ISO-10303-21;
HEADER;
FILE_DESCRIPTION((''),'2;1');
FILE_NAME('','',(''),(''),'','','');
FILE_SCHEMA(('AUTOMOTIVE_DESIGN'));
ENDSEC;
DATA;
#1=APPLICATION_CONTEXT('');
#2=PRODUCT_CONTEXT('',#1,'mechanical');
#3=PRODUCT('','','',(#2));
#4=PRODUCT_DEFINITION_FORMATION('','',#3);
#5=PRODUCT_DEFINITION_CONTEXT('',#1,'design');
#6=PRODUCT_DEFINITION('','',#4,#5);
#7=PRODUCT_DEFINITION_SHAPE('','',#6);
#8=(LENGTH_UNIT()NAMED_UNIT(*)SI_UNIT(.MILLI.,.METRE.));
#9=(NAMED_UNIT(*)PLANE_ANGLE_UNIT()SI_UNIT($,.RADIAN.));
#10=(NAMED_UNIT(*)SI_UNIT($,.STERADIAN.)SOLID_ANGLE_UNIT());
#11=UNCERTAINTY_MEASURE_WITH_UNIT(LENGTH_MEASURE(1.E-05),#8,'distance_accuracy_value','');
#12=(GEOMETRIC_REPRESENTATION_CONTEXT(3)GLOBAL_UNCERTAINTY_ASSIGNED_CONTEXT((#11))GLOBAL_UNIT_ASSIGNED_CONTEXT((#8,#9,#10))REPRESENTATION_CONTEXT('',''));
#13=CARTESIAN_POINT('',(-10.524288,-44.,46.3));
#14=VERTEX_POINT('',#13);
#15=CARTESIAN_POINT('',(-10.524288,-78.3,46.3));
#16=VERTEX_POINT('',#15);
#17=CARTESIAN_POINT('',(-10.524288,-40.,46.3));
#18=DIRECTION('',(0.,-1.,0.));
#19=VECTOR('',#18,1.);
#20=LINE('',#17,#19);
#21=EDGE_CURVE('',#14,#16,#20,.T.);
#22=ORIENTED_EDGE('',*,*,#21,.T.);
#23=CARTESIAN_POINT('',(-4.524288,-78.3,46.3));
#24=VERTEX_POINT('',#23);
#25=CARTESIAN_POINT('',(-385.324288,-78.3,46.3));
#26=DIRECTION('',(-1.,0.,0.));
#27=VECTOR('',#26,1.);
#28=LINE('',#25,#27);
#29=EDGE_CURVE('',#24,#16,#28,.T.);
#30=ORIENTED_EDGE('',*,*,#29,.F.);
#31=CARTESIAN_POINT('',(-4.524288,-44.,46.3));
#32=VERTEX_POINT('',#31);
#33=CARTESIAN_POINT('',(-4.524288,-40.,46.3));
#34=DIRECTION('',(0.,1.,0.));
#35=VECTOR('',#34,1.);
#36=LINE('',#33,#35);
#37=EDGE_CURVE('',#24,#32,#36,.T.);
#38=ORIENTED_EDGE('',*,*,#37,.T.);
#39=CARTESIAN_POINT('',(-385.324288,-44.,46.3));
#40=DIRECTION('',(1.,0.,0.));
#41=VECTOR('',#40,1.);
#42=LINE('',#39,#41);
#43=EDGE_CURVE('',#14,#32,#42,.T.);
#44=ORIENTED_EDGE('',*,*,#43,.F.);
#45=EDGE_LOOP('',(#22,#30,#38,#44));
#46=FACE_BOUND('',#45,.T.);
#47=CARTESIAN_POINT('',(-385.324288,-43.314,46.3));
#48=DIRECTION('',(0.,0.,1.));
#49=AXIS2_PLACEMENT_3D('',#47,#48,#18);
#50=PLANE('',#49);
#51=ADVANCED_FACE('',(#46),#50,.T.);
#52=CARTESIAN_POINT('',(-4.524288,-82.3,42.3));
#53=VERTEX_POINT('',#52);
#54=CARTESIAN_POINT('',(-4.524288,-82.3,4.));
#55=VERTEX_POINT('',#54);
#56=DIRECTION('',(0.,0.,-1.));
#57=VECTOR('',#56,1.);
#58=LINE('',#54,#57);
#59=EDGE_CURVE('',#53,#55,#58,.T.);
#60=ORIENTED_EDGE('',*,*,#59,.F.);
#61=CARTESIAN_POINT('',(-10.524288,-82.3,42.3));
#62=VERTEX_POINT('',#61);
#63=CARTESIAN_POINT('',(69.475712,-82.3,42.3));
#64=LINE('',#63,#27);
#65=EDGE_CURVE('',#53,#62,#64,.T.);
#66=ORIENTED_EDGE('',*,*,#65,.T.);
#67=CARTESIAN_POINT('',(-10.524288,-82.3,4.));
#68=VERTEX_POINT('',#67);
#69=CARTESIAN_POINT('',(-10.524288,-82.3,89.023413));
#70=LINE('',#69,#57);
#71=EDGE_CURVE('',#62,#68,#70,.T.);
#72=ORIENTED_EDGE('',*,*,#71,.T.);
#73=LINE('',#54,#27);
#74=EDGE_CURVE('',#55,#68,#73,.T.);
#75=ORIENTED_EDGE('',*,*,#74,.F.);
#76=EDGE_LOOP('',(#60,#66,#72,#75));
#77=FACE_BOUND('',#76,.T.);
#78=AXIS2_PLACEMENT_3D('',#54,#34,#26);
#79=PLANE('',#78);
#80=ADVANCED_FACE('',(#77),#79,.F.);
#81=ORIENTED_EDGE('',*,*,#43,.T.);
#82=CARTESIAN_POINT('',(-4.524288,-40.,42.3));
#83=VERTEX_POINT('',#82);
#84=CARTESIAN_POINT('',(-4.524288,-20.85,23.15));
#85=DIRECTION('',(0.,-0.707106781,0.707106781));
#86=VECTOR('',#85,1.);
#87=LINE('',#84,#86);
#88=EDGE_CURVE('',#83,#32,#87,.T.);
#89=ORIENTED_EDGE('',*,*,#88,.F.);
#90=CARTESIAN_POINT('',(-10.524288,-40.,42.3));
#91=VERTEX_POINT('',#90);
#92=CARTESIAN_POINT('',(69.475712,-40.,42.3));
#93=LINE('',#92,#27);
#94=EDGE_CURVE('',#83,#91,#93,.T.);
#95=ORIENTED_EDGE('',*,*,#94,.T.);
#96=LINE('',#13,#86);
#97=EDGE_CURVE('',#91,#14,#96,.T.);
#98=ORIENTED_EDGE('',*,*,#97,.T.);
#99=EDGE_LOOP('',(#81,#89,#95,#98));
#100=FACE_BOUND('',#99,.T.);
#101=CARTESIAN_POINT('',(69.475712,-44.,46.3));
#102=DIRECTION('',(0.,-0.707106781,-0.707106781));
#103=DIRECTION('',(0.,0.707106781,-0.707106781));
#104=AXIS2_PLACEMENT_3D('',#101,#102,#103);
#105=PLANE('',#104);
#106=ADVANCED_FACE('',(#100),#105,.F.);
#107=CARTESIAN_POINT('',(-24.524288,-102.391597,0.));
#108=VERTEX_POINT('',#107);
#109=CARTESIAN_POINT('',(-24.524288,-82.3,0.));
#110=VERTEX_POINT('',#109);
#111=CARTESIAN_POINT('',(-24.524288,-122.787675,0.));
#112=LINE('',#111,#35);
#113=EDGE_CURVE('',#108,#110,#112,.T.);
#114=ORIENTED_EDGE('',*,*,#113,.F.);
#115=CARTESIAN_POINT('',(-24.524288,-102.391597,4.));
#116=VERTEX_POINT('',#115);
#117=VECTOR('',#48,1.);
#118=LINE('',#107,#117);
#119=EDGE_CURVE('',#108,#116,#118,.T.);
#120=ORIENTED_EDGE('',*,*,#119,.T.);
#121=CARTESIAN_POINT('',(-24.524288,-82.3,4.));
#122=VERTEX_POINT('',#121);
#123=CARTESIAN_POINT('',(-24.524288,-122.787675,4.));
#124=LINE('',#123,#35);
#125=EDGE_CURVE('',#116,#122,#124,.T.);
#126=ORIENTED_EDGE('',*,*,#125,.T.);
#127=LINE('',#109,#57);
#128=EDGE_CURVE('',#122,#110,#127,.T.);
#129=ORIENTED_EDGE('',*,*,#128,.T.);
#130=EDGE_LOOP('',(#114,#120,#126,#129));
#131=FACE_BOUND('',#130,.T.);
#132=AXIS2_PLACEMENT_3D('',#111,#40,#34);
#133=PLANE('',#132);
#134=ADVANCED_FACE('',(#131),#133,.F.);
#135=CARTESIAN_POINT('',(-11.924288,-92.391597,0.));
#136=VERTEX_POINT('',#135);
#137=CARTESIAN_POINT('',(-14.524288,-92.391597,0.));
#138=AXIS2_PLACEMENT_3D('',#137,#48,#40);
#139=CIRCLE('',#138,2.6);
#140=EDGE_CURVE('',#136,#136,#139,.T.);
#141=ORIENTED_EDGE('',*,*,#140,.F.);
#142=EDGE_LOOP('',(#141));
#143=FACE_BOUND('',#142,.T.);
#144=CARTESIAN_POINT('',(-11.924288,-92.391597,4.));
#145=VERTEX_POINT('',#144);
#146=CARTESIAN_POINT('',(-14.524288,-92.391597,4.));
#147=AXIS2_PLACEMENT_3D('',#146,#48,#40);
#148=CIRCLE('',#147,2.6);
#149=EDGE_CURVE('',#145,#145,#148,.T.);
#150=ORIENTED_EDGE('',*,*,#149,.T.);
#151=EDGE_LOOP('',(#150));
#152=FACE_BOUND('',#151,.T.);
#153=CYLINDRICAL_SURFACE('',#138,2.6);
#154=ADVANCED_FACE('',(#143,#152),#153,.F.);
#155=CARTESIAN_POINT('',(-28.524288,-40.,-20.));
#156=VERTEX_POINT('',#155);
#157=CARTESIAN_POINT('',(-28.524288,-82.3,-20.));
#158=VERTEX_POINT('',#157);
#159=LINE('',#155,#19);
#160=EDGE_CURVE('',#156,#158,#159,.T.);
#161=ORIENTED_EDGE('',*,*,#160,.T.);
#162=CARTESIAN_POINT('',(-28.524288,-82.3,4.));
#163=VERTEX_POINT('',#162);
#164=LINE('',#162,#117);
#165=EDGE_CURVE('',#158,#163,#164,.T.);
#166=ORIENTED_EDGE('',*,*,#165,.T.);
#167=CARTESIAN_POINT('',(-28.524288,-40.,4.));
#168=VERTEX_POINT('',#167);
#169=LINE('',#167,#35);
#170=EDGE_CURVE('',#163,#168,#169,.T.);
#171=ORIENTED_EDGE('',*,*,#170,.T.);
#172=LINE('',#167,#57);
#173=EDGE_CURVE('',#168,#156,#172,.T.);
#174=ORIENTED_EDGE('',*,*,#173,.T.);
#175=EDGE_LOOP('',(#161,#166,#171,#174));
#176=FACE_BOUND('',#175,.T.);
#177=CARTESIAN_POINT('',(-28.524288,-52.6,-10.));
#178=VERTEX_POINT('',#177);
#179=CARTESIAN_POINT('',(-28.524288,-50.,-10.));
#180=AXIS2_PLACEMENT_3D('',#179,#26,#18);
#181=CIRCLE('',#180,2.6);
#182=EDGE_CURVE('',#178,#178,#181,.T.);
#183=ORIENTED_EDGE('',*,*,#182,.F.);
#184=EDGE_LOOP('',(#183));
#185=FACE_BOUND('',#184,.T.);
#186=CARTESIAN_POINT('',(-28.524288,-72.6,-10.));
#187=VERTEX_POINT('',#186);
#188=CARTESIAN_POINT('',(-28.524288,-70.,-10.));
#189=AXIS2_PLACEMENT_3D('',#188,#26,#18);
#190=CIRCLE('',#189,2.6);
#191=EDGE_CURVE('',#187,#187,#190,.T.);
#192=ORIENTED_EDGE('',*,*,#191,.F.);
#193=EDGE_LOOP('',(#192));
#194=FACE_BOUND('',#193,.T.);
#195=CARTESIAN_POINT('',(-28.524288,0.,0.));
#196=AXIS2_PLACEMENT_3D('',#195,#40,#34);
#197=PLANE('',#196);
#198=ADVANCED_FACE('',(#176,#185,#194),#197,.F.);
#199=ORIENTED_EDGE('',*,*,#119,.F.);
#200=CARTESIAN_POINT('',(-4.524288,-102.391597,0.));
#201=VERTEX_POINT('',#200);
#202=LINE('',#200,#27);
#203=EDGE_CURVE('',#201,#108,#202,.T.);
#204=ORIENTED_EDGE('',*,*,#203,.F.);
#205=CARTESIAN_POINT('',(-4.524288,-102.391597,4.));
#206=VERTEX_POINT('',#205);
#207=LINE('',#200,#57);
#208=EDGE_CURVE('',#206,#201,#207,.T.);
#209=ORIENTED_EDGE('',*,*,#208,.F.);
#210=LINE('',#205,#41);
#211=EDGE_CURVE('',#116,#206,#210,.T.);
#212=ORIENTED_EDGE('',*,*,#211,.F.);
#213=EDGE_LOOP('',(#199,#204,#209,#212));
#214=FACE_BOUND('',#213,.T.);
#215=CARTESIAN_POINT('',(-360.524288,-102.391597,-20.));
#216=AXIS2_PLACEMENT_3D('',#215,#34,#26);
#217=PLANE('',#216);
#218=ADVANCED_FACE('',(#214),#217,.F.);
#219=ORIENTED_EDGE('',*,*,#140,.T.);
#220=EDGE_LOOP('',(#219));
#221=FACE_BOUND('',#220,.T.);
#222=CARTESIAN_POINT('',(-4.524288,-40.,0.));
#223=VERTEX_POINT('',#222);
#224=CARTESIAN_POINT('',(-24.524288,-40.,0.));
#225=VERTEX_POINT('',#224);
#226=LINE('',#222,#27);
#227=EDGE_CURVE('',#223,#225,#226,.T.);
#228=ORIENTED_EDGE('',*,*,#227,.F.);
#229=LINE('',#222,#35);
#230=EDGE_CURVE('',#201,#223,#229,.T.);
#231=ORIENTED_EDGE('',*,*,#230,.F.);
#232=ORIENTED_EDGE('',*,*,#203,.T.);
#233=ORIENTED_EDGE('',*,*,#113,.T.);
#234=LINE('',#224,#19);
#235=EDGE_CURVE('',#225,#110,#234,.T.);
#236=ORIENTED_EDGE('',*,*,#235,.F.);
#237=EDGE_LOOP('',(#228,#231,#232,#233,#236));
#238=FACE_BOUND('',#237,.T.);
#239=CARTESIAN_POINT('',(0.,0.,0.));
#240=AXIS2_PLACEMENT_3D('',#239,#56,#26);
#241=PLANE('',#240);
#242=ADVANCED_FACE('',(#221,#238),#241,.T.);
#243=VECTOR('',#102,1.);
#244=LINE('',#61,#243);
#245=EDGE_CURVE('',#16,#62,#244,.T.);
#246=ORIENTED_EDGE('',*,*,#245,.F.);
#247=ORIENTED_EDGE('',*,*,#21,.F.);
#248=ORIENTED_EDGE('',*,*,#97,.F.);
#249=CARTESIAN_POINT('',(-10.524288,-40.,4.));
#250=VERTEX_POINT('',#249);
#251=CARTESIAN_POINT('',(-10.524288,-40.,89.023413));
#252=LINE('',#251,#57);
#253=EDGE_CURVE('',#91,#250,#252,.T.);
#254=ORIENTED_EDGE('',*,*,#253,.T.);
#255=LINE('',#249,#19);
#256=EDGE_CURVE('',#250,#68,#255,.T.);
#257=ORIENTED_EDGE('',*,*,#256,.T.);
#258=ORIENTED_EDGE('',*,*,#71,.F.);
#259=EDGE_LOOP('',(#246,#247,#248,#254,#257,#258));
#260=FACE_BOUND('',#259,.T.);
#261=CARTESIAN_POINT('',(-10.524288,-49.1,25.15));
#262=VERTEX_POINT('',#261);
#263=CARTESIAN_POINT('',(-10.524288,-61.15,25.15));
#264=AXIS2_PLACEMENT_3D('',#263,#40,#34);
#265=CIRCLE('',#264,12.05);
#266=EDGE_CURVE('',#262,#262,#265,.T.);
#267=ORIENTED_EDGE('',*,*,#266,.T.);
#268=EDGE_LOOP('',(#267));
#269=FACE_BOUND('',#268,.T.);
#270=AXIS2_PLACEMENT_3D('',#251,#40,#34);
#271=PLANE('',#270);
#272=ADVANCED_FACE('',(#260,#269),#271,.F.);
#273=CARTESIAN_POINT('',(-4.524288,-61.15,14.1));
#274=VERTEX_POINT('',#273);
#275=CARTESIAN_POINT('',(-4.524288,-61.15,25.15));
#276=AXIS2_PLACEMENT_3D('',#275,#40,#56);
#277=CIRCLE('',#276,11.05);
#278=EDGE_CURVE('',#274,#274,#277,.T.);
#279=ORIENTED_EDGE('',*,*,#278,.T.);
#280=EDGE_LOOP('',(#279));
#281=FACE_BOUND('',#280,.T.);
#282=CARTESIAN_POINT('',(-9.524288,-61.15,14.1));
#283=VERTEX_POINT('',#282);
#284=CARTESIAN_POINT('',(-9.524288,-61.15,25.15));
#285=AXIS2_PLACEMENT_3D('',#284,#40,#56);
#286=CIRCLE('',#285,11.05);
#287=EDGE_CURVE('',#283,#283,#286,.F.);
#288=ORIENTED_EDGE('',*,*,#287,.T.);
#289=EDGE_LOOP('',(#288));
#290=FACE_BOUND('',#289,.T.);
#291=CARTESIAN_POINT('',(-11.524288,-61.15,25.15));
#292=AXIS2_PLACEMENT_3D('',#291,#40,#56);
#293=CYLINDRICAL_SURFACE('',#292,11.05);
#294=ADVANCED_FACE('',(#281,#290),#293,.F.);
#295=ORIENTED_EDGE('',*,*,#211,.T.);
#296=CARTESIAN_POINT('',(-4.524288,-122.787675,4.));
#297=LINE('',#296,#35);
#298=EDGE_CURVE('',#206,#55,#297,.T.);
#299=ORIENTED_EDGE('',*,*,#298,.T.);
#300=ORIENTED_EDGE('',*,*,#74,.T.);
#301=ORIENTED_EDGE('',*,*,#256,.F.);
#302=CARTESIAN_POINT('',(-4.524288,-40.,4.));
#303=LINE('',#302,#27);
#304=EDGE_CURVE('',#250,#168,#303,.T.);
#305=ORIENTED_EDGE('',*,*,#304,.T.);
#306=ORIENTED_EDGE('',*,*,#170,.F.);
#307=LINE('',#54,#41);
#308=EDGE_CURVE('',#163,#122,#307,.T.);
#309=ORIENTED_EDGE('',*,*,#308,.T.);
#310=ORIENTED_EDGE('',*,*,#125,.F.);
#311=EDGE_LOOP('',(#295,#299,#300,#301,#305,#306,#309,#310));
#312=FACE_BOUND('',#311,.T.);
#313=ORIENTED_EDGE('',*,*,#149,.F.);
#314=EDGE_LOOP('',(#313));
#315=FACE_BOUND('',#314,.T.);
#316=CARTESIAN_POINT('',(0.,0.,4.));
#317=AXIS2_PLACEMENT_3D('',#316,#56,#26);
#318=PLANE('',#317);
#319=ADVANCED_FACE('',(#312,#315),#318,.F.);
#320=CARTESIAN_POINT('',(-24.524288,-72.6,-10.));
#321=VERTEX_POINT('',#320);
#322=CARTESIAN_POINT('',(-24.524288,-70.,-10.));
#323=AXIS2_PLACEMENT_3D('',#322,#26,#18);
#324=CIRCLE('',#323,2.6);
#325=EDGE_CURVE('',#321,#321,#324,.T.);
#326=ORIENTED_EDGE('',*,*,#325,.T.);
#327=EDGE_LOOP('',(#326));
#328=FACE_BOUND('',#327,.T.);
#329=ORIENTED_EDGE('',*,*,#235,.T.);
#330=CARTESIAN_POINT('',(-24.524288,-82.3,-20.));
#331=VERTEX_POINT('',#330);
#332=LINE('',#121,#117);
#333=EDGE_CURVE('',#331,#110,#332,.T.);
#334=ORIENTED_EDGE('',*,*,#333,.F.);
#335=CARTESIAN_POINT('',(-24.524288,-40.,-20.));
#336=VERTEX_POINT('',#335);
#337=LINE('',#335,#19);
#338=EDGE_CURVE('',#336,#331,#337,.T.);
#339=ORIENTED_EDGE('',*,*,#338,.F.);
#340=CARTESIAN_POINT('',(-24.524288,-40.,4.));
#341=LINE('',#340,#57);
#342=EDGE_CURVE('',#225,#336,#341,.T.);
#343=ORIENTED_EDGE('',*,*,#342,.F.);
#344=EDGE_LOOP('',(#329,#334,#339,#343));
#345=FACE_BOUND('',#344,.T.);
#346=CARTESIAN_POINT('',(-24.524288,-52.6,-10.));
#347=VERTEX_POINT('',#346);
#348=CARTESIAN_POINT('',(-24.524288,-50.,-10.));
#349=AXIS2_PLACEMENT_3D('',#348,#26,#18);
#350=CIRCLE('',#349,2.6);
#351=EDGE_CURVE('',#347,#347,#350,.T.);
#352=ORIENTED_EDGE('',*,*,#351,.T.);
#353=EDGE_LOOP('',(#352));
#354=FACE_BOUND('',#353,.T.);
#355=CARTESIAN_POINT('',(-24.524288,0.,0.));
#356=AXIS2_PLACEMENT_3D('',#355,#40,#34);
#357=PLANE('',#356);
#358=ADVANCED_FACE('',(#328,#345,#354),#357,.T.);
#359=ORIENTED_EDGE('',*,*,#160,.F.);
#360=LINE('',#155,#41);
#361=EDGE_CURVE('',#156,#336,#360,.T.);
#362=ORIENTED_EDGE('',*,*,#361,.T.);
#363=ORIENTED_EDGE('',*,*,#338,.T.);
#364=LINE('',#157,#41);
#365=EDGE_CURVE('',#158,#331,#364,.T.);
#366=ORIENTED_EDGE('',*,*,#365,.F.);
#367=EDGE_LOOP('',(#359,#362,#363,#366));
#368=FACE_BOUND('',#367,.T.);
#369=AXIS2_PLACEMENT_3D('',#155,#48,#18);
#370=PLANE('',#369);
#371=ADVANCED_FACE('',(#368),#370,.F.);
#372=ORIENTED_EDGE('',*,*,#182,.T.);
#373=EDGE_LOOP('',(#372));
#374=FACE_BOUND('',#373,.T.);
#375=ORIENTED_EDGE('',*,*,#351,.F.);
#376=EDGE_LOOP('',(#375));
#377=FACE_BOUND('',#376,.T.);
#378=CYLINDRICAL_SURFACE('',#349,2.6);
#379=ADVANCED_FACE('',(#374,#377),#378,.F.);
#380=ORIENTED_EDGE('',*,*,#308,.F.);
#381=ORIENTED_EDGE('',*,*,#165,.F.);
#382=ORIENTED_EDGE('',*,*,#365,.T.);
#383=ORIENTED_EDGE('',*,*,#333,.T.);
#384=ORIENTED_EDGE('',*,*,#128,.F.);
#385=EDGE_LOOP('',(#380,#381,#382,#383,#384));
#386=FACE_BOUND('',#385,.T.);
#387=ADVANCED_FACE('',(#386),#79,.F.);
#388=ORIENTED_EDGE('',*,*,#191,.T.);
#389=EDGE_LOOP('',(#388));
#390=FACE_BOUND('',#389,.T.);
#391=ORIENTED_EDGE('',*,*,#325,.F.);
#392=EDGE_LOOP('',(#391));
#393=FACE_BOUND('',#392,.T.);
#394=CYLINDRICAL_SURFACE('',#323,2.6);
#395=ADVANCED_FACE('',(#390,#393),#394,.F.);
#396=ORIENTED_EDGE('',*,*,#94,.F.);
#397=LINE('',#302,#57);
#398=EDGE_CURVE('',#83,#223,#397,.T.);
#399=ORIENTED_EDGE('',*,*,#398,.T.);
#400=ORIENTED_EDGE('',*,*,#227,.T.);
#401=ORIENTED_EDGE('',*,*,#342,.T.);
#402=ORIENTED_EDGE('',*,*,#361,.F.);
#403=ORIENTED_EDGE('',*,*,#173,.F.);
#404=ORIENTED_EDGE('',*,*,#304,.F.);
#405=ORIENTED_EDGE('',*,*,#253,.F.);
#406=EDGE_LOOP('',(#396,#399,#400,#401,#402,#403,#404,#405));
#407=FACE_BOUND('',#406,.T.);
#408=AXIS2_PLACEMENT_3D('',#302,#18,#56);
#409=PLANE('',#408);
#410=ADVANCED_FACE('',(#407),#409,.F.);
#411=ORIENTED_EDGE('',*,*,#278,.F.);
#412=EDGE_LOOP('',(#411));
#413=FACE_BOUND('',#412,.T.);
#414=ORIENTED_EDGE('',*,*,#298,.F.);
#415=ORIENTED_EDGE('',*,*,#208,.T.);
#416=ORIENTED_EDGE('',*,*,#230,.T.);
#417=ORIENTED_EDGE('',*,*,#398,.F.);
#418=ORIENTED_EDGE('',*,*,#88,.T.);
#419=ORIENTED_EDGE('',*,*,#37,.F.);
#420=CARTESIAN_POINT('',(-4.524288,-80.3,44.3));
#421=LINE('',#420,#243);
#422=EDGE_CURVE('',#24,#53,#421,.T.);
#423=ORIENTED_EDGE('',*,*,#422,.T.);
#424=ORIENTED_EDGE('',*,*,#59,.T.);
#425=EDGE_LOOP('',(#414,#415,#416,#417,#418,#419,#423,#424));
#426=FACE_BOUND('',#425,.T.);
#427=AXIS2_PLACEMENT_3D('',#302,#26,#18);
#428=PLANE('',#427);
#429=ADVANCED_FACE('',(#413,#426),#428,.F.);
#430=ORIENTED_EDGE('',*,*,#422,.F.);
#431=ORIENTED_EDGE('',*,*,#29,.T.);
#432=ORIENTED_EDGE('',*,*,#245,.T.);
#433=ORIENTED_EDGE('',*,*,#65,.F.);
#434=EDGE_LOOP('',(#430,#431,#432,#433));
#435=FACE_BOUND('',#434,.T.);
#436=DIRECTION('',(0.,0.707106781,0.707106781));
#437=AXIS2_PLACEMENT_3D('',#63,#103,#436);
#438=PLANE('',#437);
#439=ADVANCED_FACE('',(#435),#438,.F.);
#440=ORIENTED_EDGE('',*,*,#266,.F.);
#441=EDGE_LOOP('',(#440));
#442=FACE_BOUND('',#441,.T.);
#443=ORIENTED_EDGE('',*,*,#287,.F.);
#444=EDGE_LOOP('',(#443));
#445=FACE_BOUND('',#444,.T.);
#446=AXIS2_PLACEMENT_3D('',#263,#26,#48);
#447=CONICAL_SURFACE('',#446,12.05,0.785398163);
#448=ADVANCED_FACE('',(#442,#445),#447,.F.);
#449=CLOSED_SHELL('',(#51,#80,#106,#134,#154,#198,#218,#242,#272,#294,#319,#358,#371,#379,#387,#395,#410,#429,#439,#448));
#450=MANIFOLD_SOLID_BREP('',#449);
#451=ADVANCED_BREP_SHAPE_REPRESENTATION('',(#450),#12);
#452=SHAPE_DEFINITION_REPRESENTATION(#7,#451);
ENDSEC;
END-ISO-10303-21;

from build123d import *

# Parameters (mm, degrees)
SKICA2_W                 = 20
SKICA2_H                 = 42.3
P_IDAT_VYSUNUT_M1_DEPTH  = 4
SKICA3_W                 = 24
SKICA3_H                 = 42.3
P_IDAT_VYSUNUT_M2_DEPTH  = 4
SKICA4_W                 = 6
SKICA4_H                 = 42.3
P_IDAT_VYSUNUT_M3_DEPTH  = 42.3
SKICA5_R                 = 11.05
ODEBRAT_VYSUNUT_M1_DEPTH = 7
SKICA7_R                 = 2.6
ODEBRAT_VYSUNUT_M3_DEPTH = 4
ZKOSEN_1_SIZE            = 1
SKICA8_W                 = 20
SKICA8_H                 = 4
P_IDAT_VYSUNUT_M4_DEPTH  = 20.091596743
SKICA9_R                 = 2.6
ODEBRAT_VYSUNUT_M4_DEPTH = 4
ODEBRAT_VYSUNUT_M5_DEPTH = 80


with BuildPart() as part:
    # Skica2 → Přidat vysunutím1 (new body)
    with BuildSketch(Plane.XY):
        with Locations((-14.524287798, -61.15)):
            Rectangle(SKICA2_W, SKICA2_H)
    extrude(amount=P_IDAT_VYSUNUT_M1_DEPTH)

    # Skica3 → Přidat vysunutím2 (add)
    with BuildSketch(Plane.ZY.offset(24.524287798)):
        with Locations((-8, -61.15)):
            Rectangle(SKICA3_W, SKICA3_H)
    extrude(amount=P_IDAT_VYSUNUT_M2_DEPTH)

    # Skica4 → Přidat vysunutím3 (add)
    with BuildSketch(Plane.XY.offset(4)):
        with Locations((-7.524287798, -61.15)):
            Rectangle(SKICA4_W, SKICA4_H)
    extrude(amount=P_IDAT_VYSUNUT_M3_DEPTH)

    # Skica5 → Odebrat vysunutím1 (cut)
    with BuildSketch(Plane(origin=(-4.524287798, 0, 0), x_dir=(0, 0, -1), z_dir=(1, 0, 0))):
        with Locations((-25.15, -61.15)):
            Circle(SKICA5_R)
    extrude(amount=-ODEBRAT_VYSUNUT_M1_DEPTH, mode=Mode.SUBTRACT)

    # Skica7 → Odebrat vysunutím3 (cut)
    with BuildSketch(Plane.ZY.offset(28.524287798)):
        with Locations(Location((-10, -50, 0), (0, 0, 270))):
            Circle(SKICA7_R)
        with Locations(Location((-10, -70, 0), (0, 0, 270))):
            Circle(SKICA7_R)
    extrude(amount=-ODEBRAT_VYSUNUT_M3_DEPTH, mode=Mode.SUBTRACT)

    # Zkosení1
    zkosen_1_edges = [part.edges().sort_by_distance(p)[0] for p in [
        (-10.524287798, -61.15, 36.2),
    ]]
    chamfer(zkosen_1_edges, length=ZKOSEN_1_SIZE)

    # Skica8 → Přidat vysunutím4 (add)
    with BuildSketch(Plane.XZ.offset(82.3)):
        with Locations((-14.524287798, 2)):
            Rectangle(SKICA8_W, SKICA8_H)
    extrude(amount=P_IDAT_VYSUNUT_M4_DEPTH)

    # Skica9 → Odebrat vysunutím4 (cut)
    with BuildSketch(Plane.XY.offset(4)):
        with Locations((-14.524287798, -92.391596743)):
            Circle(SKICA9_R)
    extrude(amount=-ODEBRAT_VYSUNUT_M4_DEPTH, mode=Mode.SUBTRACT)

    # Skica10 → Odebrat vysunutím5 (cut)
    with BuildSketch(Plane.ZY.offset(10.524287798)):
        Polygon((46.3, -44), (42.3, -40), (46.565878614, -39.259270079), align=None)
        Polygon((42.3, -82.3), (46.3, -78.3), (47.745576453, -80.3), (46.3, -85.415433185), align=None)
    extrude(amount=-ODEBRAT_VYSUNUT_M5_DEPTH, mode=Mode.SUBTRACT)


solid = part.part
